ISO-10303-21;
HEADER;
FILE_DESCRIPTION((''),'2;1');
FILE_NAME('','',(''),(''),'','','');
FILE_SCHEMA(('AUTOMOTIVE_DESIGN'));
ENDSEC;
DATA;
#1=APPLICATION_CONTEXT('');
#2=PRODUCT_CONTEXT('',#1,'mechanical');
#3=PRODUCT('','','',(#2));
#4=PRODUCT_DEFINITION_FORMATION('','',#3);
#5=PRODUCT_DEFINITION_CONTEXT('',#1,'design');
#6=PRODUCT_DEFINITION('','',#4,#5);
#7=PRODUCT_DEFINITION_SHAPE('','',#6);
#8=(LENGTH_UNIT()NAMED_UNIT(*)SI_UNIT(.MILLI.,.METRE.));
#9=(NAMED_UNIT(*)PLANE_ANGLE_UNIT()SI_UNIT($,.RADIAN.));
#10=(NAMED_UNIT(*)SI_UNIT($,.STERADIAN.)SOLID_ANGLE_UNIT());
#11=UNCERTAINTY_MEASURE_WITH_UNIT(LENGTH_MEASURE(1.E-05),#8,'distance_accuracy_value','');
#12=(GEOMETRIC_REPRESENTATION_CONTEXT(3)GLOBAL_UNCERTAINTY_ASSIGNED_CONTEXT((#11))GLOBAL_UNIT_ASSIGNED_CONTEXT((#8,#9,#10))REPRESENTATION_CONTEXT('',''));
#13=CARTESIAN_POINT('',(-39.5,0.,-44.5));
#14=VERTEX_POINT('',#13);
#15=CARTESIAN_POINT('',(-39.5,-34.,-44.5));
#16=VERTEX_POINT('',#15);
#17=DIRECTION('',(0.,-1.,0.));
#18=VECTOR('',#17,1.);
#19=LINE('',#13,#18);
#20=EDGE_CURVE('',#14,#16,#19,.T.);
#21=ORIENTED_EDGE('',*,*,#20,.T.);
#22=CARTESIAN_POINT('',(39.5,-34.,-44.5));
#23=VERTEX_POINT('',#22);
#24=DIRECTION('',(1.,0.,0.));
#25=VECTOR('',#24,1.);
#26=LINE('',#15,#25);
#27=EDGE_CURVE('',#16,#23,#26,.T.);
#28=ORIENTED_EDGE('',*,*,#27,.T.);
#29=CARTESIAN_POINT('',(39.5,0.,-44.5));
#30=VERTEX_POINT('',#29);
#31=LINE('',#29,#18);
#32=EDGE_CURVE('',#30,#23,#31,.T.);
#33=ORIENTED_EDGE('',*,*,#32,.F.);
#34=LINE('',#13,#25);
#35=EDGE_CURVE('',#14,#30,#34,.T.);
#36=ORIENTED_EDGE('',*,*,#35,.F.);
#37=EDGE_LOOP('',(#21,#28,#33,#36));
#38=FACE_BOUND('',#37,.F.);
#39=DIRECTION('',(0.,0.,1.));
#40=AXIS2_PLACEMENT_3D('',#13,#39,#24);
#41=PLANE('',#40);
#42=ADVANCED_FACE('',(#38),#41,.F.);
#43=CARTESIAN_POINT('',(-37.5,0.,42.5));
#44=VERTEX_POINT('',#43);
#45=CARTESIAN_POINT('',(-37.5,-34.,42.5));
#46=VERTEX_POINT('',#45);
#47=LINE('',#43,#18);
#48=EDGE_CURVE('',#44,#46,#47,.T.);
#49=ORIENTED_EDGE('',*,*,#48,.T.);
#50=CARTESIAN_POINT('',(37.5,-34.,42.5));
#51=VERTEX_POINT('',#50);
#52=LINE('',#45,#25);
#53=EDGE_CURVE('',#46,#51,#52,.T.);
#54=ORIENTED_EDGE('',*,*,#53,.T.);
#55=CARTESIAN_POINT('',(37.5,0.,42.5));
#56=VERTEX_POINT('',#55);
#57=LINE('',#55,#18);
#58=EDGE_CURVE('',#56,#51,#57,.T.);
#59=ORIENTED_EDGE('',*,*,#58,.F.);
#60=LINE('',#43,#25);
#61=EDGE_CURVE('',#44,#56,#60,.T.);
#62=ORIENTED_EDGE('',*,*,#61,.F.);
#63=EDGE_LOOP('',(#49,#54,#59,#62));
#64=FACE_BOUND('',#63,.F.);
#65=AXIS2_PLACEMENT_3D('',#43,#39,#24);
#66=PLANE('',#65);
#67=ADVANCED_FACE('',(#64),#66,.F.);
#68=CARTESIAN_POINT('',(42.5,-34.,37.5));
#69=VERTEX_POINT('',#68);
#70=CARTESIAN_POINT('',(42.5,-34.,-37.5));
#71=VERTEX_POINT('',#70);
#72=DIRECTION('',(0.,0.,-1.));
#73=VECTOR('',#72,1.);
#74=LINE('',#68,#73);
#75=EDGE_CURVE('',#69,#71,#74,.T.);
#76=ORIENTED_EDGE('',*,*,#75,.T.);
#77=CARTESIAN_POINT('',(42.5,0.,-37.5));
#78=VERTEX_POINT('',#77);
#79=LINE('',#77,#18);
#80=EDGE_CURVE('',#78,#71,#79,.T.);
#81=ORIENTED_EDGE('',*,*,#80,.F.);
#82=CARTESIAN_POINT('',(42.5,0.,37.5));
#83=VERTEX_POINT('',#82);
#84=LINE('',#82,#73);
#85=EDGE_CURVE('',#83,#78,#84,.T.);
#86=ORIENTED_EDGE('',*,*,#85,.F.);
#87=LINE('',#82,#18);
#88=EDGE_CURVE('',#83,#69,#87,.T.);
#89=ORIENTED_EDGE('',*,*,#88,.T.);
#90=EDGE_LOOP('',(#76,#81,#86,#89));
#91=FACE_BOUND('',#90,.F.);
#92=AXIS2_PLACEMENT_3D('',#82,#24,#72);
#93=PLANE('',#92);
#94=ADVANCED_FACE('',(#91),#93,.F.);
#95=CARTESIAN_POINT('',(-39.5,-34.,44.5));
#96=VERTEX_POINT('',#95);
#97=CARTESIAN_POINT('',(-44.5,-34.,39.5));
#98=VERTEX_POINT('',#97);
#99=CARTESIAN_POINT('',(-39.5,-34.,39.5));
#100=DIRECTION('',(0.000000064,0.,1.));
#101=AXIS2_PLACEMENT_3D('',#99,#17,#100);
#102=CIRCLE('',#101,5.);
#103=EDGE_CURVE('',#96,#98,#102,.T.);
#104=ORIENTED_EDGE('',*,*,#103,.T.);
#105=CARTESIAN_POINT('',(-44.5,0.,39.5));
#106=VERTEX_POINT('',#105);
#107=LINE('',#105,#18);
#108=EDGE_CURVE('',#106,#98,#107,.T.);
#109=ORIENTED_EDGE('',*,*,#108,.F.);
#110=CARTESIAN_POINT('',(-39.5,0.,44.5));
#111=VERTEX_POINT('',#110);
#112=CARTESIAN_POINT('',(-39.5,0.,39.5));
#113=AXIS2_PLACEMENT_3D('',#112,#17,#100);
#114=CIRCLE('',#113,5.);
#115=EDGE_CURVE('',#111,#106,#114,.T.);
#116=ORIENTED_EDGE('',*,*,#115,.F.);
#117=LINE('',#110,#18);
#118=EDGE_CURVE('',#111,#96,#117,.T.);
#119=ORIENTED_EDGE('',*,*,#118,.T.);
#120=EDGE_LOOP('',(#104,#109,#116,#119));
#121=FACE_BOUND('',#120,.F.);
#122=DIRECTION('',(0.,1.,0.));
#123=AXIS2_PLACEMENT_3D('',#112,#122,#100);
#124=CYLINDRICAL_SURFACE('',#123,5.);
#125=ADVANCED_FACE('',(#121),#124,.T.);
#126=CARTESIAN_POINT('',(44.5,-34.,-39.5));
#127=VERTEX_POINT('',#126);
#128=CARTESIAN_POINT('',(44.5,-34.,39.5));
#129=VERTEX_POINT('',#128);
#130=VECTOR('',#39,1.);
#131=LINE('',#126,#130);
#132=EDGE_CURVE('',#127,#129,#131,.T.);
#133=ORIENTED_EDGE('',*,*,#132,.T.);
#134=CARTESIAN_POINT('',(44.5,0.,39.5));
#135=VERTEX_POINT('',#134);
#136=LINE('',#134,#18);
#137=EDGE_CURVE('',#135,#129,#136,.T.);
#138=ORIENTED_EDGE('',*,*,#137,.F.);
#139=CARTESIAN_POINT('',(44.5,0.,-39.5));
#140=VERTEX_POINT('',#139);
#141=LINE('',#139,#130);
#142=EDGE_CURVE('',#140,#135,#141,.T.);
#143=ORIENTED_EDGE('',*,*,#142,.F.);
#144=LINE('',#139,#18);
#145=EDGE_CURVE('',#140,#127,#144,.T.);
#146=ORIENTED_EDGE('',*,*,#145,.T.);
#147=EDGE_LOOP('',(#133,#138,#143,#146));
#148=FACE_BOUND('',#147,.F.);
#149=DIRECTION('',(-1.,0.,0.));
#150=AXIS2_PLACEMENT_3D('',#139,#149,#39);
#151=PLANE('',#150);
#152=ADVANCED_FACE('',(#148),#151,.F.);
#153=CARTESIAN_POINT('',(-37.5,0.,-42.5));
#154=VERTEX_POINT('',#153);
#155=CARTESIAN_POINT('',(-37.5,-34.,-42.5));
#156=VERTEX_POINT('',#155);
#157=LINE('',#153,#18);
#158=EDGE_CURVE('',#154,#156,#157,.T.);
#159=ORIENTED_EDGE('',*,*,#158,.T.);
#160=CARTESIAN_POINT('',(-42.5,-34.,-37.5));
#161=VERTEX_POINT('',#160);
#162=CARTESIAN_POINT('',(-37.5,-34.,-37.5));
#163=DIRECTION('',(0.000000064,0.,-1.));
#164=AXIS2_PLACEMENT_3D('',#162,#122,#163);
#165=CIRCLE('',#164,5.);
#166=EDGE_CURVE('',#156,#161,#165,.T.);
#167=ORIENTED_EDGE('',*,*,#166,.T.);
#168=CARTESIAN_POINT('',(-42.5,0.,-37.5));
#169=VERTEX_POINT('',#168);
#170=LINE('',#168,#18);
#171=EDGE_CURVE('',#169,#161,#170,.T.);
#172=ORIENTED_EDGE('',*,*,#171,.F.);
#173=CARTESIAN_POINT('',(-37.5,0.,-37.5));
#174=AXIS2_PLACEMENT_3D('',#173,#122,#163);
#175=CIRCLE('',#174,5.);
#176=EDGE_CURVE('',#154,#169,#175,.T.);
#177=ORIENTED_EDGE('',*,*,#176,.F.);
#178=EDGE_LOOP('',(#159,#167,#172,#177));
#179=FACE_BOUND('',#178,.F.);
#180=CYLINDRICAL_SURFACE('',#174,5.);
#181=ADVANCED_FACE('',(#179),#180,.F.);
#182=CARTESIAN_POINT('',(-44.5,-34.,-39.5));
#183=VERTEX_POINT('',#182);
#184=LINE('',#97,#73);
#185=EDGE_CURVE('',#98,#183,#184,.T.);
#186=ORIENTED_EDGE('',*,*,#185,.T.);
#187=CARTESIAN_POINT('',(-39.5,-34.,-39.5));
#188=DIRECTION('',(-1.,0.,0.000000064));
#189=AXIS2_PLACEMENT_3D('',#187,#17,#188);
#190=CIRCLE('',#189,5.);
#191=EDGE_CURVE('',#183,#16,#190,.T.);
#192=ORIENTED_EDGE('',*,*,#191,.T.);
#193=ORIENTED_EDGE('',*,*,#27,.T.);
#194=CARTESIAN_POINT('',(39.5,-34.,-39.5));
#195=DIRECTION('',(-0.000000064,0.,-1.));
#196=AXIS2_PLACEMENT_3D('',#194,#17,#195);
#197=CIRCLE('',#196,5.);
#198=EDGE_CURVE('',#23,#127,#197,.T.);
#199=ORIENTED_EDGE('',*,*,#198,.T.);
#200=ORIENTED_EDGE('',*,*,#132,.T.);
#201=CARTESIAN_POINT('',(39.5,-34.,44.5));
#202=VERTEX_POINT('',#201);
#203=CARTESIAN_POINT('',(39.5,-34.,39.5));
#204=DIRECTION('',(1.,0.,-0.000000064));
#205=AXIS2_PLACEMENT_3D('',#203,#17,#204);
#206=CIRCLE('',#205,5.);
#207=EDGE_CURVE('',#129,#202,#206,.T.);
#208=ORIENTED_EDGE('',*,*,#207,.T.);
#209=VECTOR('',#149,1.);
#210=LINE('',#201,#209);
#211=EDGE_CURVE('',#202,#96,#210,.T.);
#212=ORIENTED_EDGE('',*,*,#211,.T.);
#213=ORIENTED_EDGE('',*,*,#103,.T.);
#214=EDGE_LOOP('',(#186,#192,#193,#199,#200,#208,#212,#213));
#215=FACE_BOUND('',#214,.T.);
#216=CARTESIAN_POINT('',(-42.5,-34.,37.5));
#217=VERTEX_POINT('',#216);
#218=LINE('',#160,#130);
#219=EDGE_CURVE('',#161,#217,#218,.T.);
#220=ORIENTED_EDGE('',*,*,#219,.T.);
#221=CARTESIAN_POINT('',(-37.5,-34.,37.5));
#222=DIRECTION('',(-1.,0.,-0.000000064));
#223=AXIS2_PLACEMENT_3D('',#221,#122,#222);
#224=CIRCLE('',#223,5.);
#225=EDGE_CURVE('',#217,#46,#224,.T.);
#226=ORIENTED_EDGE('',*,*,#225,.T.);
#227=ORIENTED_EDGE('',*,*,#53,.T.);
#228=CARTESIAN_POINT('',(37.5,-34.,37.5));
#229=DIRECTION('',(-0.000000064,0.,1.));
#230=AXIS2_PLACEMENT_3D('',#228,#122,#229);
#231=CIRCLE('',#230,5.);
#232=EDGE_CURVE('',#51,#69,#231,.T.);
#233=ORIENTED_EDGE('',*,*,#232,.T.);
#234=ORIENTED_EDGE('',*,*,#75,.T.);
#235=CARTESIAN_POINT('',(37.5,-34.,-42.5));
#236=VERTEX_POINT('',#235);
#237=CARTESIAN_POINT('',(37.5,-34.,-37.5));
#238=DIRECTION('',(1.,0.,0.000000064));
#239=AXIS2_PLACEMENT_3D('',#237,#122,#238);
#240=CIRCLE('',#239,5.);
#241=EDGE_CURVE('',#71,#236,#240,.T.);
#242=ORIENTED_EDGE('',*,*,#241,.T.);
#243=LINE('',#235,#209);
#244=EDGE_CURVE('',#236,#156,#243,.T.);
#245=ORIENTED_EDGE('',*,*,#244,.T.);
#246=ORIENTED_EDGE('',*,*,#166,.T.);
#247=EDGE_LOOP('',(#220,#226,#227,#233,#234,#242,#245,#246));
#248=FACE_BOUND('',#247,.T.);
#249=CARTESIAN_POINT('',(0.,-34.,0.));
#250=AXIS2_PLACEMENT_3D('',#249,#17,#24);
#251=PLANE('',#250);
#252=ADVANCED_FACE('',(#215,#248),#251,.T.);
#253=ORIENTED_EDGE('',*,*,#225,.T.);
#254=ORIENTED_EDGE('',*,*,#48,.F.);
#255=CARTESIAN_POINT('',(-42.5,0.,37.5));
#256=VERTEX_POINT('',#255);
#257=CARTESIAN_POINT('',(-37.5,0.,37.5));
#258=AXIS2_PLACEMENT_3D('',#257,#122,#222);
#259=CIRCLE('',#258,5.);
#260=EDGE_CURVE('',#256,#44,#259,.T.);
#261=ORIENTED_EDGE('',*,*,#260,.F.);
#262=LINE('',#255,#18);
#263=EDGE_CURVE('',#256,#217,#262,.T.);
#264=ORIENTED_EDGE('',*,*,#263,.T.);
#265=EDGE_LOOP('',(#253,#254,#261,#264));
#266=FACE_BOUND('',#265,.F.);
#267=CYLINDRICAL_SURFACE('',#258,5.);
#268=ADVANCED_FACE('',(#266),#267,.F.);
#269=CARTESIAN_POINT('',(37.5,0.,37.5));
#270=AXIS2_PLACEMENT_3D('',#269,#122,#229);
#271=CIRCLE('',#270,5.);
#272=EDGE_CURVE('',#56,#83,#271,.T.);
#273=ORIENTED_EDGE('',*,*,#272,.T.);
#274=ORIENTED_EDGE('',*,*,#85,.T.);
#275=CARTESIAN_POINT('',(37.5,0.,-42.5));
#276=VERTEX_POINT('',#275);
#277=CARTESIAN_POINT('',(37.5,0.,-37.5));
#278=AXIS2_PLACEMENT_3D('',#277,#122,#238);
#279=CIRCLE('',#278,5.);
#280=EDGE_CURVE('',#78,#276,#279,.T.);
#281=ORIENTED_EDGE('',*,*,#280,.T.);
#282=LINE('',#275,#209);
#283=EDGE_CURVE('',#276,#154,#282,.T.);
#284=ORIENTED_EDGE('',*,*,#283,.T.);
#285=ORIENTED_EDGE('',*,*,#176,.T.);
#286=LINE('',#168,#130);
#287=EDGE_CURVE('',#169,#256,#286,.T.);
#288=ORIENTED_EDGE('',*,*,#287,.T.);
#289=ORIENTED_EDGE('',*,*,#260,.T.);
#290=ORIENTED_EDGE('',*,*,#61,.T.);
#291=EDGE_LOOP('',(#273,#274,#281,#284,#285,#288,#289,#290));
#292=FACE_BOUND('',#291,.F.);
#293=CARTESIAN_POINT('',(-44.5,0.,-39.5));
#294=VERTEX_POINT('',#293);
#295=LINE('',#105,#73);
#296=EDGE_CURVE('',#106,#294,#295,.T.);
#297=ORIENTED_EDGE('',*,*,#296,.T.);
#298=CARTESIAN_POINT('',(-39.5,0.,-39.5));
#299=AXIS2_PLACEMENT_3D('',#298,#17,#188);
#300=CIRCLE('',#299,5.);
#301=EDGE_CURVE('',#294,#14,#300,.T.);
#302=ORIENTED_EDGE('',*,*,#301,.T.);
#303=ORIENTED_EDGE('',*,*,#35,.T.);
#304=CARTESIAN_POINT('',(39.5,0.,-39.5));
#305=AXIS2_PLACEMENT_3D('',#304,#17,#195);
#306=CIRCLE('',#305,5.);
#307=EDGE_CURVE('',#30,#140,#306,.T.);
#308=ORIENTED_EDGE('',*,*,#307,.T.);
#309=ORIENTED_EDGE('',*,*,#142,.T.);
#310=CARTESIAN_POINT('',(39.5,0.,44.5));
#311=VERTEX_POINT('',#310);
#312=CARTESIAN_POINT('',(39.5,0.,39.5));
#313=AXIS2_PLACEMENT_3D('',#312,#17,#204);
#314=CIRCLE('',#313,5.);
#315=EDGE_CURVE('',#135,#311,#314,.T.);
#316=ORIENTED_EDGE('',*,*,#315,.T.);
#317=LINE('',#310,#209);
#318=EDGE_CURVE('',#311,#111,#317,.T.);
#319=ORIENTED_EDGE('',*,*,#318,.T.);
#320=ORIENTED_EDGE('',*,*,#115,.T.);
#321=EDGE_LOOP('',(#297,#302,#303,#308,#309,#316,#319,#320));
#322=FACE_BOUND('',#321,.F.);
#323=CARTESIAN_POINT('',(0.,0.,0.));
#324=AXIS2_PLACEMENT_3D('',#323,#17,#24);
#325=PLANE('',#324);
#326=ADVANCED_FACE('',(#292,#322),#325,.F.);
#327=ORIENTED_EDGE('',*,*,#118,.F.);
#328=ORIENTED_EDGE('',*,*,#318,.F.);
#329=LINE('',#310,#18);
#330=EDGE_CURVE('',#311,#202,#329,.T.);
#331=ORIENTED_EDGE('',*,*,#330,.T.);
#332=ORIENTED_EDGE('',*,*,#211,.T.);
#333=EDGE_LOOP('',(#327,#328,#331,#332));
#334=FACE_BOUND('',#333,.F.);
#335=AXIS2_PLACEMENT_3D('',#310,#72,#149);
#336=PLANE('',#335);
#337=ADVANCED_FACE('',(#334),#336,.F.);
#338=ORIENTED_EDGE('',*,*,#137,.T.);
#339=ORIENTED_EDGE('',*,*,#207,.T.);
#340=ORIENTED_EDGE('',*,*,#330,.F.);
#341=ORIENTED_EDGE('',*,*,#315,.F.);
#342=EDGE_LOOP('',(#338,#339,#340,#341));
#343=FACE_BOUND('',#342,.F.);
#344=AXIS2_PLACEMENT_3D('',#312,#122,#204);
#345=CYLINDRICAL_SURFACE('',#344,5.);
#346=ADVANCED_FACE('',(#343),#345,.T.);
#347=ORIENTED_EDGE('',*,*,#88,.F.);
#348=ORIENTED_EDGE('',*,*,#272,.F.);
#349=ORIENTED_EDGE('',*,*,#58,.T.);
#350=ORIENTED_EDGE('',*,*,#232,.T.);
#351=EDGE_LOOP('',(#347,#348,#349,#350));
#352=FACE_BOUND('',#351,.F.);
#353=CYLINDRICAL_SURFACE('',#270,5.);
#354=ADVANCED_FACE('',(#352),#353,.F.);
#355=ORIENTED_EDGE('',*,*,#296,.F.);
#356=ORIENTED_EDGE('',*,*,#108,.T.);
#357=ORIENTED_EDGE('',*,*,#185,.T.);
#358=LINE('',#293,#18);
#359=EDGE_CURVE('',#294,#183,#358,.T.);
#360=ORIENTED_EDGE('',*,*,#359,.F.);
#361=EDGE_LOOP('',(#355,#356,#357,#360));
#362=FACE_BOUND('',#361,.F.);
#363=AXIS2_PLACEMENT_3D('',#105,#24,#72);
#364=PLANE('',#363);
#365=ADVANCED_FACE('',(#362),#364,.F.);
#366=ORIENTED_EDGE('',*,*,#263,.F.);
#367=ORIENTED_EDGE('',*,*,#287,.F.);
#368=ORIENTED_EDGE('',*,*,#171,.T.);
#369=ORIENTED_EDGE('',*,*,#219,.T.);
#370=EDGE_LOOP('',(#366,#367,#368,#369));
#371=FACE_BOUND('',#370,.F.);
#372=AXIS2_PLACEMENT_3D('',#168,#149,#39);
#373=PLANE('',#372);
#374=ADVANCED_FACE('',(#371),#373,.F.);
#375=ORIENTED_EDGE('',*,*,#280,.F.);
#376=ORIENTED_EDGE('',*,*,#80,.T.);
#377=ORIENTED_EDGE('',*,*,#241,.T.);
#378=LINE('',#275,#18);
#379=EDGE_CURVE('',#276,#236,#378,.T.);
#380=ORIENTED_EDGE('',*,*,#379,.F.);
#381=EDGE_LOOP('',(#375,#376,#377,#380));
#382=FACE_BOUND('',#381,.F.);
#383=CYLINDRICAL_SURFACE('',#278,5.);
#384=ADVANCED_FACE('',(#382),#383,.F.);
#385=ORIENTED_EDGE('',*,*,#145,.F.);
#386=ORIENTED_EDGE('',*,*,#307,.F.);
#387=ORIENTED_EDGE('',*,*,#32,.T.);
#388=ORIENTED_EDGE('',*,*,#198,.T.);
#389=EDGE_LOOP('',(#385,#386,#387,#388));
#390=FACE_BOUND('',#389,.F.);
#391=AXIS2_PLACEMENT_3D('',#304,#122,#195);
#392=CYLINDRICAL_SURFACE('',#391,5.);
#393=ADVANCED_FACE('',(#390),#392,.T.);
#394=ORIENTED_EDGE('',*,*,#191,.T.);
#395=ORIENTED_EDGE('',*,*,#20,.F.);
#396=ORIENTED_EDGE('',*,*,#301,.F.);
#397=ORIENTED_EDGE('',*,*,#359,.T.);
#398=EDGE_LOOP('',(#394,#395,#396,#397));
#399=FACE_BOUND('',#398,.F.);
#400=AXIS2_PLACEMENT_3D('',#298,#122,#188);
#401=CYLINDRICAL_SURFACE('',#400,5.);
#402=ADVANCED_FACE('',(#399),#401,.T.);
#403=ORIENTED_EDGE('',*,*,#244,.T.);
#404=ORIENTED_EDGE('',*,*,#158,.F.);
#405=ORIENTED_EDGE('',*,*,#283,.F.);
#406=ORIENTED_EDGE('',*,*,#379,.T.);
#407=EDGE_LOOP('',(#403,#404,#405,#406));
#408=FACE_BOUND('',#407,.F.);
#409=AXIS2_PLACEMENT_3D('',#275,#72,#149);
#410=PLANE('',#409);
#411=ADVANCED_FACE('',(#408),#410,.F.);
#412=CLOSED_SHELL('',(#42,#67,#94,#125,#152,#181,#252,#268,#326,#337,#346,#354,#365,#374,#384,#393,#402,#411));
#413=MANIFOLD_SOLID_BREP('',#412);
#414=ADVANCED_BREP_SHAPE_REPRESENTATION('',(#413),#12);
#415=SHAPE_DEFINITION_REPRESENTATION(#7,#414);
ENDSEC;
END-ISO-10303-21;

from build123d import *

# Parameters (mm, degrees)
F1_DEPTH = 34


with BuildPart() as f1:
    # F0 (on Front) → F1 (new body)
    with BuildSketch(Plane.XZ):
        with BuildLine():
            ThreePointArc((44.5, 39.5), (43.035534, 43.035534), (39.5, 44.5))
            Line((39.5, 44.5), (-39.5, 44.5))
            ThreePointArc((-39.5, 44.5), (-43.035534, 43.035534), (-44.5, 39.5))
            Line((-44.5, 39.5), (-44.5, -39.5))
            ThreePointArc((-44.5, -39.5), (-43.035534, -43.035534), (-39.5, -44.5))
            Line((-39.5, -44.5), (39.5, -44.5))
            ThreePointArc((39.5, -44.5), (43.035534, -43.035534), (44.5, -39.5))
            Line((44.5, -39.5), (44.5, 39.5))
        make_face()
        with BuildLine():
            Line((-37.5, 42.5), (37.5, 42.5))
            ThreePointArc((37.5, 42.5), (41.035534, 41.035534), (42.5, 37.5))
            Line((42.5, 37.5), (42.5, -37.5))
            ThreePointArc((42.5, -37.5), (41.035534, -41.035534), (37.5, -42.5))
            Line((37.5, -42.5), (-37.5, -42.5))
            ThreePointArc((-37.5, -42.5), (-41.035534, -41.035534), (-42.5, -37.5))
            Line((-42.5, -37.5), (-42.5, 37.5))
            ThreePointArc((-42.5, 37.5), (-41.035534, 41.035534), (-37.5, 42.5))
        make_face(mode=Mode.SUBTRACT)
    extrude(amount=F1_DEPTH)


solid = f1.part
